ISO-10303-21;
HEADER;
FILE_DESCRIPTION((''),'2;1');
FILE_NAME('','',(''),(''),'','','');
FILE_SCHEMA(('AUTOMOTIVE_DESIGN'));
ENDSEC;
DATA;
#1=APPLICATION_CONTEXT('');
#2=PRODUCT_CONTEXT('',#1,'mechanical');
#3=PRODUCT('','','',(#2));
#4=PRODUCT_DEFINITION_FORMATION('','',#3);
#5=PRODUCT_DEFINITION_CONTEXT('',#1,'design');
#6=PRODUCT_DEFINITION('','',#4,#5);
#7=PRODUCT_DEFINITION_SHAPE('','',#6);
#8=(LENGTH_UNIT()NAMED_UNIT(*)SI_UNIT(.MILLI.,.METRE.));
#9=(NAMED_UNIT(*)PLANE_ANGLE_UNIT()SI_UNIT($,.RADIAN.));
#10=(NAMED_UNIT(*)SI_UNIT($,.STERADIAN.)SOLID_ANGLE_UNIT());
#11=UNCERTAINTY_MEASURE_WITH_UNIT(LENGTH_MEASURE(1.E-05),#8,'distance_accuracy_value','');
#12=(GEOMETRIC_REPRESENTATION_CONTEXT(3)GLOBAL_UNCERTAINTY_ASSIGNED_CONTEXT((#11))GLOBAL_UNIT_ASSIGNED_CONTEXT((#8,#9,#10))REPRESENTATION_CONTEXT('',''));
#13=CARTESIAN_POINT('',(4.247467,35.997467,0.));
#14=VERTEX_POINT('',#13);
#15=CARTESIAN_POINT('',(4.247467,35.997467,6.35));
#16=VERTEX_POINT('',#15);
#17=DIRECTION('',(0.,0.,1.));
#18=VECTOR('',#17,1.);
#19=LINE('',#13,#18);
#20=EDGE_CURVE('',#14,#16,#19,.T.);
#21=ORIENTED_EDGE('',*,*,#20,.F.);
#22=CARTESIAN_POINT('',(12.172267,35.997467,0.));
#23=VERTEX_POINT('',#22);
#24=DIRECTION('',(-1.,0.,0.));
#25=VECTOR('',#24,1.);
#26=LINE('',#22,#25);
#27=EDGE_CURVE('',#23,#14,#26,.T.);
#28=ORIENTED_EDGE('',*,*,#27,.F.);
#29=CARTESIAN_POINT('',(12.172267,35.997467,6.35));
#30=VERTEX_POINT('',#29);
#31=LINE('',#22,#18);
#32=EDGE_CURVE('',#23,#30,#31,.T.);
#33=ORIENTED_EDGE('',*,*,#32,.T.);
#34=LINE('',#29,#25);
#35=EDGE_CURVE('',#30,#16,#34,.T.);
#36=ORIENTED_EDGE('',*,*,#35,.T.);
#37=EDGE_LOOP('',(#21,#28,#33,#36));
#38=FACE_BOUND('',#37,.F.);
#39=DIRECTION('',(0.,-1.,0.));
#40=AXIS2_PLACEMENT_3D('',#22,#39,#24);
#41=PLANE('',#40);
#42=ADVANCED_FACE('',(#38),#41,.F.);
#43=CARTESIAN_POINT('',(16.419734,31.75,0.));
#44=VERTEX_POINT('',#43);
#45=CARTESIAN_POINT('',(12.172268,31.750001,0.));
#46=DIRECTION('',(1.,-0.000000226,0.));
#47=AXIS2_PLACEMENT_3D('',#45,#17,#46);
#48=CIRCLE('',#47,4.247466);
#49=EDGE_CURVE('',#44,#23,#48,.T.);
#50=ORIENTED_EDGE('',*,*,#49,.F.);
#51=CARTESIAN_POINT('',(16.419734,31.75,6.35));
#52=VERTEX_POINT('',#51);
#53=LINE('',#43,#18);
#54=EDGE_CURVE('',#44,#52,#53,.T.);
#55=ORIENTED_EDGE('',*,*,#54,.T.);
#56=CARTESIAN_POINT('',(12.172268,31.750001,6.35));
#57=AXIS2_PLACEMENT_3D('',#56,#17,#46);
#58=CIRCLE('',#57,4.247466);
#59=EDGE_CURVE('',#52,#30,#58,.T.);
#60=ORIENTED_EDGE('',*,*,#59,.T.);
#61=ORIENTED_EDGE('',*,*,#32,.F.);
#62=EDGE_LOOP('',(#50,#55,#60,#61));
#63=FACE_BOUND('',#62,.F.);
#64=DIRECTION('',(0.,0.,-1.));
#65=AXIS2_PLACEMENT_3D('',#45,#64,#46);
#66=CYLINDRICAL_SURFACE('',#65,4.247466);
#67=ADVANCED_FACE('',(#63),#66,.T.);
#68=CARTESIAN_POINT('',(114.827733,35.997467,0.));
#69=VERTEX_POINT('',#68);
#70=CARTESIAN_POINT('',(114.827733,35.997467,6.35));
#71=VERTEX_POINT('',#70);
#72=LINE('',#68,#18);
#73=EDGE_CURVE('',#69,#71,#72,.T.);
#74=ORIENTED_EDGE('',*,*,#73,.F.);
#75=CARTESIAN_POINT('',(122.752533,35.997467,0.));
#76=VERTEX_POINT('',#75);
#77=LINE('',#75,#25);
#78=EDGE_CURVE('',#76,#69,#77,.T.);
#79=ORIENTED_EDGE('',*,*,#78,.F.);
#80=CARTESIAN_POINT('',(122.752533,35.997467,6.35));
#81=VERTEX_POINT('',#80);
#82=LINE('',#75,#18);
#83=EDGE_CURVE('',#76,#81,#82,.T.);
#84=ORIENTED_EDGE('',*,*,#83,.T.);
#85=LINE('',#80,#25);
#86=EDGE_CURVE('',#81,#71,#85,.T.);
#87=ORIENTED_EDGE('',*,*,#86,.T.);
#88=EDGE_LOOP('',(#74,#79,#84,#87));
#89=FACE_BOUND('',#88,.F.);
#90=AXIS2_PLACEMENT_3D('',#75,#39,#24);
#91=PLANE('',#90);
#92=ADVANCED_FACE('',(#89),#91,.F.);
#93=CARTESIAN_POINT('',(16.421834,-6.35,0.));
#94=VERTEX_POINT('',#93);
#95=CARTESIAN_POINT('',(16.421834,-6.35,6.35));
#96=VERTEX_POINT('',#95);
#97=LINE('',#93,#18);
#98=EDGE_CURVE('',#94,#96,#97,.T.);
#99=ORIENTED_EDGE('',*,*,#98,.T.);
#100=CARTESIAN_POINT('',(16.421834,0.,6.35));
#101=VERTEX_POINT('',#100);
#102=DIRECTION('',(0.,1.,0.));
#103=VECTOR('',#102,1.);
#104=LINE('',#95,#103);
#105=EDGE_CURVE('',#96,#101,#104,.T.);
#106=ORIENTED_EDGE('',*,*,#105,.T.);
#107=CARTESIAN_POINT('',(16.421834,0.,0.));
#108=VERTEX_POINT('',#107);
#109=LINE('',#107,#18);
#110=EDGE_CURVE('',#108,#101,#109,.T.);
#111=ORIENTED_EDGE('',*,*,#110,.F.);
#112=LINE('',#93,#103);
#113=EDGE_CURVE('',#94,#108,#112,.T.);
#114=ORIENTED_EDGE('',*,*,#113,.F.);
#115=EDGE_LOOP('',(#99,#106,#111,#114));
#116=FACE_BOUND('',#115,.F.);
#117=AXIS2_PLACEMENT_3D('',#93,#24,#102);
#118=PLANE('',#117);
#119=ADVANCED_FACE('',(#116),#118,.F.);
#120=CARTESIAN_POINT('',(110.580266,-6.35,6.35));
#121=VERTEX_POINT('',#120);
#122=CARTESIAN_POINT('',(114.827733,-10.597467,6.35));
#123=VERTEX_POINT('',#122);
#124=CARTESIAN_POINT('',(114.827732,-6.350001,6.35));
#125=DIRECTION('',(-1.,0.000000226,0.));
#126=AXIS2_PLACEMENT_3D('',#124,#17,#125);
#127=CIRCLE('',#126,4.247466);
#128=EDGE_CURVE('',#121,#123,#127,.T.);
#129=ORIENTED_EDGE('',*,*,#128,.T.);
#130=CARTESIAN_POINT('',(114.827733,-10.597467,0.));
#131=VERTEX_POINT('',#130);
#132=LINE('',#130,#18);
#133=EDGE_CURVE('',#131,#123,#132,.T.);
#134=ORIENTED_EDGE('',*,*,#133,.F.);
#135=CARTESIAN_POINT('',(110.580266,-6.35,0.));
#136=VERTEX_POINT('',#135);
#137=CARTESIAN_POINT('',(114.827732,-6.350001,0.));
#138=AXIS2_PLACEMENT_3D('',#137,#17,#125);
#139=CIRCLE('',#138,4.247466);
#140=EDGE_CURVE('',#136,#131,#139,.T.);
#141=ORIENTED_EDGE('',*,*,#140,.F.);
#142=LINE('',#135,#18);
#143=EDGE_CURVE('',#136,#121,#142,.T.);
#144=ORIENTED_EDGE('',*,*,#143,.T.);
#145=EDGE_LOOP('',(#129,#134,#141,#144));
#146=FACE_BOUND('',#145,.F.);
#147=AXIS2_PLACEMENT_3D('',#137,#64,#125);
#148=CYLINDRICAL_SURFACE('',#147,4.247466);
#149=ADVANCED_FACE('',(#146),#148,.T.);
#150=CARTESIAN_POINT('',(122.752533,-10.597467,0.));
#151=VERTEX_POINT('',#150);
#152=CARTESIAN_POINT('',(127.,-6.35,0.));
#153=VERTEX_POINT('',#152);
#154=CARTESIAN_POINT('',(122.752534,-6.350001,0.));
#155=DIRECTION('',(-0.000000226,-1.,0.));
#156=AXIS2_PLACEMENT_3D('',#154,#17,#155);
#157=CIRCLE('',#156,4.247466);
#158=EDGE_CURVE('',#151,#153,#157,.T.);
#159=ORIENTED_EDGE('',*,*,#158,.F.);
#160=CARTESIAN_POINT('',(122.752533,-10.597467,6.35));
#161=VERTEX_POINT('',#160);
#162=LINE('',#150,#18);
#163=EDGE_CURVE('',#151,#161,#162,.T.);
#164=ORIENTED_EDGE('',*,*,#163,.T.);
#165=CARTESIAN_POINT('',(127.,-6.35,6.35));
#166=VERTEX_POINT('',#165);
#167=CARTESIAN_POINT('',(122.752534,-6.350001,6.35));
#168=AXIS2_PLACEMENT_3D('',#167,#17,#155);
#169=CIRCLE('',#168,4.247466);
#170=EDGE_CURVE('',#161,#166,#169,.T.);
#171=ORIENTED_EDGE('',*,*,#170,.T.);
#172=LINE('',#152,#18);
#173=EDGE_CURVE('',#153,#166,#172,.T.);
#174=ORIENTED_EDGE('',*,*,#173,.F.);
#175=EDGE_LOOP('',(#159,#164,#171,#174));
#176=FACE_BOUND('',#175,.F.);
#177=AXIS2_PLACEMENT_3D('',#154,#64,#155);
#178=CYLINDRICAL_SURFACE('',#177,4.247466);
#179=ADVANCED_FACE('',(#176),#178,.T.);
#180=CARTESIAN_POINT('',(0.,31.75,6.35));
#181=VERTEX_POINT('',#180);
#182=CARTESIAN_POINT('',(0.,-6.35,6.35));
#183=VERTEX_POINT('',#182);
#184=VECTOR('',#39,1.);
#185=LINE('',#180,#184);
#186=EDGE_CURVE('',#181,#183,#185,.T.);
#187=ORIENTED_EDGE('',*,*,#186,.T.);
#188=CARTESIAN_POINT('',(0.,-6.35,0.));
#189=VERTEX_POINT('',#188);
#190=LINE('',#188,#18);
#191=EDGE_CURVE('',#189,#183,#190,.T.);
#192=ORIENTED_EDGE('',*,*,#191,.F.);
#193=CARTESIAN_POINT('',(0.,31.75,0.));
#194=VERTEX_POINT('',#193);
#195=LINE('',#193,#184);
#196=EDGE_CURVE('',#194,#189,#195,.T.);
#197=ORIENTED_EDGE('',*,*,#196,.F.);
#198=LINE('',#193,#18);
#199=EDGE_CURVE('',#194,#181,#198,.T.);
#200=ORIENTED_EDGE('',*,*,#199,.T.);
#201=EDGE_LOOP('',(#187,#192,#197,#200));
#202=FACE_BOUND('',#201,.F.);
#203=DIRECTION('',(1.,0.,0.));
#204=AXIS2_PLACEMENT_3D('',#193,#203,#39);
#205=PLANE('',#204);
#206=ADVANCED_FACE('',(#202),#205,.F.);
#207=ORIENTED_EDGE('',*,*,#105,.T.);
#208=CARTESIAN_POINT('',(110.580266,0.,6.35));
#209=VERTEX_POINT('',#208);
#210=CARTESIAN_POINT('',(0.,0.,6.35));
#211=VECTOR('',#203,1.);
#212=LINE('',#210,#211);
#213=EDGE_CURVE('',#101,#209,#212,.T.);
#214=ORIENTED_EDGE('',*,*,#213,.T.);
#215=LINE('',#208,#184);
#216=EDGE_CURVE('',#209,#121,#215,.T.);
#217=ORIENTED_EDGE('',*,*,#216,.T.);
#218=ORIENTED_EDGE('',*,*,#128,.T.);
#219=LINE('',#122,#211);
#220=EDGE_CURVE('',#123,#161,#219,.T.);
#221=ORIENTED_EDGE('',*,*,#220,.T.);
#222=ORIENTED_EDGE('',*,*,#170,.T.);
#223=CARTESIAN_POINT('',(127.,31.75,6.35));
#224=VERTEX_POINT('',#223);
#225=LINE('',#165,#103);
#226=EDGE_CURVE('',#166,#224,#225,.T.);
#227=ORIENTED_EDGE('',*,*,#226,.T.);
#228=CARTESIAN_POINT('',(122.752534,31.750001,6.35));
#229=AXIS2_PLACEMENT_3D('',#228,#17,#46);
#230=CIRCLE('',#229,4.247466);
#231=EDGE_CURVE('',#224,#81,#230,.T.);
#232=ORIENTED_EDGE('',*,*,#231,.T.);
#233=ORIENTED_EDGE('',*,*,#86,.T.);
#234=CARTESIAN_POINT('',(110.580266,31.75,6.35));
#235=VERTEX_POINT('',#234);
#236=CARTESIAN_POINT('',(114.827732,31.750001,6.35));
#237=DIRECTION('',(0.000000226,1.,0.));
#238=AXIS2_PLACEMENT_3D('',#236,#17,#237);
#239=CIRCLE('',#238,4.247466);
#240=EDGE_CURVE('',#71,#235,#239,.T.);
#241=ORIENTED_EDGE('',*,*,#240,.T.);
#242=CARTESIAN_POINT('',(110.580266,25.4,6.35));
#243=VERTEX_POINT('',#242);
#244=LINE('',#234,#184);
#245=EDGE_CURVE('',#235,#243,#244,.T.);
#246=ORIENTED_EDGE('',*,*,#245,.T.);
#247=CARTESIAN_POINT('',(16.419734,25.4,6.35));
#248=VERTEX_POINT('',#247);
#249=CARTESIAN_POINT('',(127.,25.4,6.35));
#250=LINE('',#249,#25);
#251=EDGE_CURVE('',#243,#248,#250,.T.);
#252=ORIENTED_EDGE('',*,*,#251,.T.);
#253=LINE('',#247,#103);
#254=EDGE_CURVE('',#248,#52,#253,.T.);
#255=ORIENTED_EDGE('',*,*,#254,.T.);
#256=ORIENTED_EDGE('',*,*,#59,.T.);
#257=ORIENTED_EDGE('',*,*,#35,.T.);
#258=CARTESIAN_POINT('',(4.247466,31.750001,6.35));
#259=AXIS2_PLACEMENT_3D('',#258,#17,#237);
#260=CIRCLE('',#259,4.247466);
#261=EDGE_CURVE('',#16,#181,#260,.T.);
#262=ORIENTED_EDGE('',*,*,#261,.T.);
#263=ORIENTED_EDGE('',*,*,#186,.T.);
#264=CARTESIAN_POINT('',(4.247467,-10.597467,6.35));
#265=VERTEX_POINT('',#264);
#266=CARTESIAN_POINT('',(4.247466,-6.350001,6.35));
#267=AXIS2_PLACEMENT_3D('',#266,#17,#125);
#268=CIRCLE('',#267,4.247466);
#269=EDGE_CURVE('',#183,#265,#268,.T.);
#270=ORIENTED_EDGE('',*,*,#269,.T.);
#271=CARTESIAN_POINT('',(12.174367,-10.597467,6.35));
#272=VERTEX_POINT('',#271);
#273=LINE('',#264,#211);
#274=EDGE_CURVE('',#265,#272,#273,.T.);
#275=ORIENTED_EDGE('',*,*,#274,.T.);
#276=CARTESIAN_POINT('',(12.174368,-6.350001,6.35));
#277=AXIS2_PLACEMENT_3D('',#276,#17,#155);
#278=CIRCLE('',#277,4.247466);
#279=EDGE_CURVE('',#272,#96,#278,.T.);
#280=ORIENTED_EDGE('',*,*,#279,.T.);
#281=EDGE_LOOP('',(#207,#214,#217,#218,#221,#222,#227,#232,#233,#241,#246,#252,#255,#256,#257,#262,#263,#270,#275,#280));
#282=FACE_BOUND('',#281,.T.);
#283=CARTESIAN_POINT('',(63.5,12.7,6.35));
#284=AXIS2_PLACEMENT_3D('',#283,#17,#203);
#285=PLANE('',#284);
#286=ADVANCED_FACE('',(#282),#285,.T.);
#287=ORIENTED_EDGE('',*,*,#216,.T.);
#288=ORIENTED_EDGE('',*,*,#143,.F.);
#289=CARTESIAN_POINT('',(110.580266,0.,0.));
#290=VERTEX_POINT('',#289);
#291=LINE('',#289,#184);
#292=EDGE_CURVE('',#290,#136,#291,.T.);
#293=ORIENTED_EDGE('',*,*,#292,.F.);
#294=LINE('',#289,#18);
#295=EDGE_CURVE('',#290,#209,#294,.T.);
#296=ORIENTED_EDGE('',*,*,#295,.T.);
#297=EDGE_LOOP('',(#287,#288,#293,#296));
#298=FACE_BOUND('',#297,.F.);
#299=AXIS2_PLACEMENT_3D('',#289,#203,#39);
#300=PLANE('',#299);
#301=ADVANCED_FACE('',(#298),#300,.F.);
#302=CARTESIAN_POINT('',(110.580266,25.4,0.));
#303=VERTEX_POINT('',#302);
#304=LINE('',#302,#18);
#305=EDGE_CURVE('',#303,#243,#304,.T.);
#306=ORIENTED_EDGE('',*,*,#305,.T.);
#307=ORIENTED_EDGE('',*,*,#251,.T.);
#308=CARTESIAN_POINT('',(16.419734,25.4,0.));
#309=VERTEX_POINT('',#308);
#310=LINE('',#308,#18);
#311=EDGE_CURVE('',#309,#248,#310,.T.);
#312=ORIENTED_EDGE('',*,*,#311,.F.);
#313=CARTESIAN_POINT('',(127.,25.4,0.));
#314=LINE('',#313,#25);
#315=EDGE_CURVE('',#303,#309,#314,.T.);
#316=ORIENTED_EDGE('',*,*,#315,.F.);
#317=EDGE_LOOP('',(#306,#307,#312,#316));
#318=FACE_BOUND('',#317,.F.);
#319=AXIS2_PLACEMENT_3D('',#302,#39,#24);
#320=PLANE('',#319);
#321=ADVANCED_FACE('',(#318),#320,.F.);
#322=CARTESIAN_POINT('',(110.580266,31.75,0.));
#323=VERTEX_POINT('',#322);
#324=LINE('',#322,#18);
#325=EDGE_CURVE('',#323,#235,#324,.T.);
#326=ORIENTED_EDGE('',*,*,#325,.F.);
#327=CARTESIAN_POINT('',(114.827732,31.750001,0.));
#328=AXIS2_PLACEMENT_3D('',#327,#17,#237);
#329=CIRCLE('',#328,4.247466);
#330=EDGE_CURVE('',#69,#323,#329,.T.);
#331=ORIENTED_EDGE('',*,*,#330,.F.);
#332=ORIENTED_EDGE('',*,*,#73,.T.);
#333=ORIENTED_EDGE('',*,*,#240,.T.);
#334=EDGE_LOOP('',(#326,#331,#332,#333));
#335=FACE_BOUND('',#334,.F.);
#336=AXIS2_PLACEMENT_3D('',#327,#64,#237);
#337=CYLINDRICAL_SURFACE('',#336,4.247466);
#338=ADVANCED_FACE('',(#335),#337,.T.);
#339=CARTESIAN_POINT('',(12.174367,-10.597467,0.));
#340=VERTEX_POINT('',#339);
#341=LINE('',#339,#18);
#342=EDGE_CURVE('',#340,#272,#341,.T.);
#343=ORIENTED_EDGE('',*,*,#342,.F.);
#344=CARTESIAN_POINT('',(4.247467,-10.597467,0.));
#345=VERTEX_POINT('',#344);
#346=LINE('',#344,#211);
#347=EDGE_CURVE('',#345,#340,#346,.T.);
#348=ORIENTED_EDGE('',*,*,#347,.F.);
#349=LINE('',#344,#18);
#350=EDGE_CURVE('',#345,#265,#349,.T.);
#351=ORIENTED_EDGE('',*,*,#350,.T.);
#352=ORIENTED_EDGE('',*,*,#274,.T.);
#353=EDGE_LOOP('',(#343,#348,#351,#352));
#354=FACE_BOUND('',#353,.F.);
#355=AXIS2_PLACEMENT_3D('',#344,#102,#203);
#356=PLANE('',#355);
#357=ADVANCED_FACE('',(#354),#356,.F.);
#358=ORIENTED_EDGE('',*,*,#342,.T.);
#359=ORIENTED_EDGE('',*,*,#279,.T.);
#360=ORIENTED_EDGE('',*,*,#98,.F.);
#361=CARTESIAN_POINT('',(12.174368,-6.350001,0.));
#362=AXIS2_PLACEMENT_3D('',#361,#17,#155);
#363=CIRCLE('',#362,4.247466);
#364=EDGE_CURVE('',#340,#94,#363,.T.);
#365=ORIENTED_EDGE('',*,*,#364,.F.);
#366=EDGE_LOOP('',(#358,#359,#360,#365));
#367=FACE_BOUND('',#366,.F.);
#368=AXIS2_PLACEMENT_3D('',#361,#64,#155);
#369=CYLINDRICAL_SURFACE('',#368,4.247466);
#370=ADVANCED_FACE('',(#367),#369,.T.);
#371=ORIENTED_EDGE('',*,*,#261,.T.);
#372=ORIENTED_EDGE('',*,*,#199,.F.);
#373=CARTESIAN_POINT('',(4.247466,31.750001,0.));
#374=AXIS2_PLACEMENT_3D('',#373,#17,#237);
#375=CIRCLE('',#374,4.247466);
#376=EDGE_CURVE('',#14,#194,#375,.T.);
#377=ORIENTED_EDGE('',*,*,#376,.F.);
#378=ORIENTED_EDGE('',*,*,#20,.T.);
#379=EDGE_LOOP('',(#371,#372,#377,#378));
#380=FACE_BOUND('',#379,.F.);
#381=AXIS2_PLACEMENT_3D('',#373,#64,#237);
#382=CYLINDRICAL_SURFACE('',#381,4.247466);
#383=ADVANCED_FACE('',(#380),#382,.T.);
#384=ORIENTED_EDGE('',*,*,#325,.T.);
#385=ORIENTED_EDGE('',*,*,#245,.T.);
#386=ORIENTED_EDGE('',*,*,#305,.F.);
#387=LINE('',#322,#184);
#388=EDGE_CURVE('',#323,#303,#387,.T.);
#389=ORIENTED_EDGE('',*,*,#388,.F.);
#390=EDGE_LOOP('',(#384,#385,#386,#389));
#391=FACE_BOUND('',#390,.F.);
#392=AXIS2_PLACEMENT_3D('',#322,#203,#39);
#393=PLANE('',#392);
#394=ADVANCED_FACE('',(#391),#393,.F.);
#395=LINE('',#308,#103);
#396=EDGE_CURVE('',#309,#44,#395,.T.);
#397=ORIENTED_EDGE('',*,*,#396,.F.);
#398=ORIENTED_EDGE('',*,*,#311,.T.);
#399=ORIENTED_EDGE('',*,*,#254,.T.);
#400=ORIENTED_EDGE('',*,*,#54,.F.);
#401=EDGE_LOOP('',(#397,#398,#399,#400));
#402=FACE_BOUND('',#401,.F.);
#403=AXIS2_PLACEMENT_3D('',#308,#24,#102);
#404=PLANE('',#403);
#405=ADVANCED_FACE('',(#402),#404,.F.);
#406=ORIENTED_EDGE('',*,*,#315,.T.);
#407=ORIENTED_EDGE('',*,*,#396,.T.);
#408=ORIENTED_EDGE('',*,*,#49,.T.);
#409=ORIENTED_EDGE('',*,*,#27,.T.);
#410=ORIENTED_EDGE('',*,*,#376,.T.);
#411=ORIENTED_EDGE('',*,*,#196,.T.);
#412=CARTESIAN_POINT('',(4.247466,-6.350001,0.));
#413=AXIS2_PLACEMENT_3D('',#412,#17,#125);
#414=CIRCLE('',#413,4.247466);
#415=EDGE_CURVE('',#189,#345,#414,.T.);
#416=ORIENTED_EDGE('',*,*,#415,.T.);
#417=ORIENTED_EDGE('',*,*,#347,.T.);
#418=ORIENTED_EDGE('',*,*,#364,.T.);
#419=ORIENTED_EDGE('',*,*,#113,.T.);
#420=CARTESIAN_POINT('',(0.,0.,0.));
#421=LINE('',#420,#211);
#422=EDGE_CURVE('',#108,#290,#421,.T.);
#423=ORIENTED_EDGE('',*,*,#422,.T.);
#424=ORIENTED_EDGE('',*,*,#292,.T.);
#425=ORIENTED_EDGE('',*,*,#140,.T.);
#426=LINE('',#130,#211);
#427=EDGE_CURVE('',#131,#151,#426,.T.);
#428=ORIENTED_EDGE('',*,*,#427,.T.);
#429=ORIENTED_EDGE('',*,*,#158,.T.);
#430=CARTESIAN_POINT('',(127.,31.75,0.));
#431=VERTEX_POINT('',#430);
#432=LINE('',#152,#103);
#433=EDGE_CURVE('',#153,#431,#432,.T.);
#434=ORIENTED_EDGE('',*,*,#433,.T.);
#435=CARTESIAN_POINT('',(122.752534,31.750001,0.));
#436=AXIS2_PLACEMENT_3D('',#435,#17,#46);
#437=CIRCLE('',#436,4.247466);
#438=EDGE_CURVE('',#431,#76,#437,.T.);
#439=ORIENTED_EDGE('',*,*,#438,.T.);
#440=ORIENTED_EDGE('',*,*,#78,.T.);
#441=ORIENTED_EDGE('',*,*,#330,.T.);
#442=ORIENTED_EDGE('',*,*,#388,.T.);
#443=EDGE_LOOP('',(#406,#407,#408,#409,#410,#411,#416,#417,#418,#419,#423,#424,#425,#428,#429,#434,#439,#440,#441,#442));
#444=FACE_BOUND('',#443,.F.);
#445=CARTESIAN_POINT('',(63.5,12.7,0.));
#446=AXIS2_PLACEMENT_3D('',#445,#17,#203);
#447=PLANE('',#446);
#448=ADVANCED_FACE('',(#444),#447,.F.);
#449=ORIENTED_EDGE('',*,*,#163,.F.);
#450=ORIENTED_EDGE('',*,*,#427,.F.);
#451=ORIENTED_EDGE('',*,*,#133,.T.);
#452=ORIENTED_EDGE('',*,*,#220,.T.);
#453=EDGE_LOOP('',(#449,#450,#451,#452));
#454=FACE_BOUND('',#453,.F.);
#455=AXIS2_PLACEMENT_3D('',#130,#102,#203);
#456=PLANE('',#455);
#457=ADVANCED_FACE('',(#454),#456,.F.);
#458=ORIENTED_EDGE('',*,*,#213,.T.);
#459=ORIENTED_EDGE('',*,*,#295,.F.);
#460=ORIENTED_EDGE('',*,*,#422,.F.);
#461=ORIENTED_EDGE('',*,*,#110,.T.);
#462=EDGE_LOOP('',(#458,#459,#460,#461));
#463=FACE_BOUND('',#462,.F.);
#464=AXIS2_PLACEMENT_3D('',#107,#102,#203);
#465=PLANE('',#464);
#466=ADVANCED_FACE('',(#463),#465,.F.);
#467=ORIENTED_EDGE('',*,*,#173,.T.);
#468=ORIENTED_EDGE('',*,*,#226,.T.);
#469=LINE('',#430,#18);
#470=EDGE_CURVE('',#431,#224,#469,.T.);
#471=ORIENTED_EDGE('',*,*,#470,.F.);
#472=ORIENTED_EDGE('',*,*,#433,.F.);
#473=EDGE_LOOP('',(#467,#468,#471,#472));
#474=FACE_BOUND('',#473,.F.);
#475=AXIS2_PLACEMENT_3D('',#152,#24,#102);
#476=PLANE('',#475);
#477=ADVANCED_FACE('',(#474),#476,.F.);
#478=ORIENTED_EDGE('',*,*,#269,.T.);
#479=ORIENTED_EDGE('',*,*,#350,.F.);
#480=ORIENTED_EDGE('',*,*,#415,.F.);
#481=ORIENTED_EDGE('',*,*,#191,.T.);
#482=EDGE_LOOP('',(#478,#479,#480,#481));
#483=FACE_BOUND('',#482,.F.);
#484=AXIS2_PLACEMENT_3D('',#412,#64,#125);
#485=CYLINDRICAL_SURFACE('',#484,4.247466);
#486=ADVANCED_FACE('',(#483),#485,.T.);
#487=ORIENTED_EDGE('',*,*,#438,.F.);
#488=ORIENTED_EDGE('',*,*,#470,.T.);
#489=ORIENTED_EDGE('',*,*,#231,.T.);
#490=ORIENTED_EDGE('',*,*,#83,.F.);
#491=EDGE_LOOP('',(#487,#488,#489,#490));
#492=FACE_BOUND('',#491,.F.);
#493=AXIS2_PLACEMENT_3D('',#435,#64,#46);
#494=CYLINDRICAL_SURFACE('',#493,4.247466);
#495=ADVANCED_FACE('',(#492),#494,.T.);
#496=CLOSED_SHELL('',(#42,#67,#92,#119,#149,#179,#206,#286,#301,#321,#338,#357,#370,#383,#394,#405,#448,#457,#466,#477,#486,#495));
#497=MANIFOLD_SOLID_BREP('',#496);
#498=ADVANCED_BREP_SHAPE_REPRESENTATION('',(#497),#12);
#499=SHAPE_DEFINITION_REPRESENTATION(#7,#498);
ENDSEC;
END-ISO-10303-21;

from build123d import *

# Parameters (mm, degrees)
F1_DEPTH = 6.35


with BuildPart() as f1:
    # F0 (on Top) → F1 (new body)
    with BuildSketch(Plane.XY):
        Polygon((0, 25.4), (0, 0), (16.421834, 0), (110.580266, 0), (127, 0), (127, 25.4), (110.580266, 25.4), (16.419734, 25.4), align=None)
        with BuildLine():
            Line((16.421834, 0), (0, 0))
            Line((0, 0), (0, -6.35))
            ThreePointArc((0, -6.35), (1.244054, -9.353413), (4.247467, -10.597467))
            Line((4.247467, -10.597467), (12.174367, -10.597467))
            ThreePointArc((12.174367, -10.597467), (15.17778, -9.353413), (16.421834, -6.35))
            Line((16.421834, -6.35), (16.421834, 0))
        make_face()
        with BuildLine():
            Line((0, 31.75), (0, 25.4))
            Line((0, 25.4), (16.419734, 25.4))
            Line((16.419734, 25.4), (16.419734, 31.75))
            ThreePointArc((16.419734, 31.75), (15.17568, 34.753413), (12.172267, 35.997467))
            Line((12.172267, 35.997467), (4.247467, 35.997467))
            ThreePointArc((4.247467, 35.997467), (1.244054, 34.753413), (0, 31.75))
        make_face()
        with BuildLine():
            Line((127, 0), (110.580266, 0))
            Line((110.580266, 0), (110.580266, -6.35))
            ThreePointArc((110.580266, -6.35), (111.82432, -9.353413), (114.827733, -10.597467))
            Line((114.827733, -10.597467), (122.752533, -10.597467))
            ThreePointArc((122.752533, -10.597467), (125.755946, -9.353413), (127, -6.35))
            Line((127, -6.35), (127, 0))
        make_face()
        with BuildLine():
            Line((110.580266, 31.75), (110.580266, 25.4))
            Line((110.580266, 25.4), (127, 25.4))
            Line((127, 25.4), (127, 31.75))
            ThreePointArc((127, 31.75), (125.755946, 34.753413), (122.752533, 35.997467))
            Line((122.752533, 35.997467), (114.827733, 35.997467))
            ThreePointArc((114.827733, 35.997467), (111.82432, 34.753413), (110.580266, 31.75))
        make_face()
    extrude(amount=F1_DEPTH)


solid = f1.part
